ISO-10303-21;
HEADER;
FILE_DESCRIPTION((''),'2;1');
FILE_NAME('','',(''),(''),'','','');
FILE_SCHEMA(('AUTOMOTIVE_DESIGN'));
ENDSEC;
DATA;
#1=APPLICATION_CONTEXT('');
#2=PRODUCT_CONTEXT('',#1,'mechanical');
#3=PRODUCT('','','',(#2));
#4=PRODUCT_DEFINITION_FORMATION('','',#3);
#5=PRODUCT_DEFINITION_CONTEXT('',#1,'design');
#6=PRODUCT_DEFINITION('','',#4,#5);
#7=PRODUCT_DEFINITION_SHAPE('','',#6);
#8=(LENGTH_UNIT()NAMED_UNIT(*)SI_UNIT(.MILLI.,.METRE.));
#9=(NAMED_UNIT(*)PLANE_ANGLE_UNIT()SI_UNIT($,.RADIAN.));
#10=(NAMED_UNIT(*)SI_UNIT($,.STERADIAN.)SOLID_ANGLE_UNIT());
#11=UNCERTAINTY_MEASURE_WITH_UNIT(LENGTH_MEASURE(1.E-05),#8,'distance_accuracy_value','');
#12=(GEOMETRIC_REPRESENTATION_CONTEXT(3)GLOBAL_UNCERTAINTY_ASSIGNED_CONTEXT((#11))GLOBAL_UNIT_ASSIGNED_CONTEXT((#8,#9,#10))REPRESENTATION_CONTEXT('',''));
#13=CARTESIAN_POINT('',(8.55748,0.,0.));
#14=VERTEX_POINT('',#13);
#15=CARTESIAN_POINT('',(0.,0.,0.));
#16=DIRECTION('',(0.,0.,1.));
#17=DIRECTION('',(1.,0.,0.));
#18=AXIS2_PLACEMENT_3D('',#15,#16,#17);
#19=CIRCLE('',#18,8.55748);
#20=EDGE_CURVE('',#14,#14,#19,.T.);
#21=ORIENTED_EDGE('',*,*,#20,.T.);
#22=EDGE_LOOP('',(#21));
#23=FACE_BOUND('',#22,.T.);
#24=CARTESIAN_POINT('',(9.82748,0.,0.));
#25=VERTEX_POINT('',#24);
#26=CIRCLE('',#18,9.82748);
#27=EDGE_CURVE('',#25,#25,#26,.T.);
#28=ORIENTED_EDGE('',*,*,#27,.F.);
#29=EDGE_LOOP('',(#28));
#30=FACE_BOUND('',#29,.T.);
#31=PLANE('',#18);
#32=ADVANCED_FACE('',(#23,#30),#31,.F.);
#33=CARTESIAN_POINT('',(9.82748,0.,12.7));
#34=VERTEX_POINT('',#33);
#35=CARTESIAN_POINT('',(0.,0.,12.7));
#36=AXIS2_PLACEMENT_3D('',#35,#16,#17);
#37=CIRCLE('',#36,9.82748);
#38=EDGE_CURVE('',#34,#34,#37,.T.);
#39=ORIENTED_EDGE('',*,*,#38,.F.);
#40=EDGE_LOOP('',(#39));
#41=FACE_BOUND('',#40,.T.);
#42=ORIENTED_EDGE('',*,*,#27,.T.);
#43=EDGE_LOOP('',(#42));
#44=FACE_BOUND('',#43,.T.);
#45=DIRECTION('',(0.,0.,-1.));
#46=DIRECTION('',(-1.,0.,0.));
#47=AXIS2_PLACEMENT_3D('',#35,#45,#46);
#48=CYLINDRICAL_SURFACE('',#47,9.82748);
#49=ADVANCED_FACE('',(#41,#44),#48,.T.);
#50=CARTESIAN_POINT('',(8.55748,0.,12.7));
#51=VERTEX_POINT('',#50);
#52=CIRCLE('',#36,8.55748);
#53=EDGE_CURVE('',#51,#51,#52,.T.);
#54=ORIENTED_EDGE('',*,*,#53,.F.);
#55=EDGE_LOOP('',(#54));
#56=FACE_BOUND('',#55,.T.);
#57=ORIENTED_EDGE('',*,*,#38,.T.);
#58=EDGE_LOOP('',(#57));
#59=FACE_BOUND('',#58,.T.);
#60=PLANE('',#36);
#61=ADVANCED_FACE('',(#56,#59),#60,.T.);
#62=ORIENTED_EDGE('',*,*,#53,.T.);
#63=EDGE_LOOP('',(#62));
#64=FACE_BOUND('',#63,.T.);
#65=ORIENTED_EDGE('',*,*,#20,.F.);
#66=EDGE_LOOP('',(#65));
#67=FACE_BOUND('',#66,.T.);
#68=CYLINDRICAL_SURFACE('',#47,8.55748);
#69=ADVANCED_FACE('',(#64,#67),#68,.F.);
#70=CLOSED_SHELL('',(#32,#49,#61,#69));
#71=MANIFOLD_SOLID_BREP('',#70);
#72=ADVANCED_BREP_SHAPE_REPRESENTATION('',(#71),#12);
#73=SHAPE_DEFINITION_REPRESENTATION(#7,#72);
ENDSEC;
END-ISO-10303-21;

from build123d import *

# Parameters (mm, degrees)
SKETCH1_R      = 9.827479793
SKETCH1_R_2    = 8.557479793
EXTRUDE1_DEPTH = 12.7


with BuildPart() as part:
    # Sketch1 → Extrude1 (new body)
    with BuildSketch(Plane.XY):
        Circle(SKETCH1_R)
        Circle(SKETCH1_R_2, mode=Mode.SUBTRACT)
    extrude(amount=EXTRUDE1_DEPTH)


solid = part.part
